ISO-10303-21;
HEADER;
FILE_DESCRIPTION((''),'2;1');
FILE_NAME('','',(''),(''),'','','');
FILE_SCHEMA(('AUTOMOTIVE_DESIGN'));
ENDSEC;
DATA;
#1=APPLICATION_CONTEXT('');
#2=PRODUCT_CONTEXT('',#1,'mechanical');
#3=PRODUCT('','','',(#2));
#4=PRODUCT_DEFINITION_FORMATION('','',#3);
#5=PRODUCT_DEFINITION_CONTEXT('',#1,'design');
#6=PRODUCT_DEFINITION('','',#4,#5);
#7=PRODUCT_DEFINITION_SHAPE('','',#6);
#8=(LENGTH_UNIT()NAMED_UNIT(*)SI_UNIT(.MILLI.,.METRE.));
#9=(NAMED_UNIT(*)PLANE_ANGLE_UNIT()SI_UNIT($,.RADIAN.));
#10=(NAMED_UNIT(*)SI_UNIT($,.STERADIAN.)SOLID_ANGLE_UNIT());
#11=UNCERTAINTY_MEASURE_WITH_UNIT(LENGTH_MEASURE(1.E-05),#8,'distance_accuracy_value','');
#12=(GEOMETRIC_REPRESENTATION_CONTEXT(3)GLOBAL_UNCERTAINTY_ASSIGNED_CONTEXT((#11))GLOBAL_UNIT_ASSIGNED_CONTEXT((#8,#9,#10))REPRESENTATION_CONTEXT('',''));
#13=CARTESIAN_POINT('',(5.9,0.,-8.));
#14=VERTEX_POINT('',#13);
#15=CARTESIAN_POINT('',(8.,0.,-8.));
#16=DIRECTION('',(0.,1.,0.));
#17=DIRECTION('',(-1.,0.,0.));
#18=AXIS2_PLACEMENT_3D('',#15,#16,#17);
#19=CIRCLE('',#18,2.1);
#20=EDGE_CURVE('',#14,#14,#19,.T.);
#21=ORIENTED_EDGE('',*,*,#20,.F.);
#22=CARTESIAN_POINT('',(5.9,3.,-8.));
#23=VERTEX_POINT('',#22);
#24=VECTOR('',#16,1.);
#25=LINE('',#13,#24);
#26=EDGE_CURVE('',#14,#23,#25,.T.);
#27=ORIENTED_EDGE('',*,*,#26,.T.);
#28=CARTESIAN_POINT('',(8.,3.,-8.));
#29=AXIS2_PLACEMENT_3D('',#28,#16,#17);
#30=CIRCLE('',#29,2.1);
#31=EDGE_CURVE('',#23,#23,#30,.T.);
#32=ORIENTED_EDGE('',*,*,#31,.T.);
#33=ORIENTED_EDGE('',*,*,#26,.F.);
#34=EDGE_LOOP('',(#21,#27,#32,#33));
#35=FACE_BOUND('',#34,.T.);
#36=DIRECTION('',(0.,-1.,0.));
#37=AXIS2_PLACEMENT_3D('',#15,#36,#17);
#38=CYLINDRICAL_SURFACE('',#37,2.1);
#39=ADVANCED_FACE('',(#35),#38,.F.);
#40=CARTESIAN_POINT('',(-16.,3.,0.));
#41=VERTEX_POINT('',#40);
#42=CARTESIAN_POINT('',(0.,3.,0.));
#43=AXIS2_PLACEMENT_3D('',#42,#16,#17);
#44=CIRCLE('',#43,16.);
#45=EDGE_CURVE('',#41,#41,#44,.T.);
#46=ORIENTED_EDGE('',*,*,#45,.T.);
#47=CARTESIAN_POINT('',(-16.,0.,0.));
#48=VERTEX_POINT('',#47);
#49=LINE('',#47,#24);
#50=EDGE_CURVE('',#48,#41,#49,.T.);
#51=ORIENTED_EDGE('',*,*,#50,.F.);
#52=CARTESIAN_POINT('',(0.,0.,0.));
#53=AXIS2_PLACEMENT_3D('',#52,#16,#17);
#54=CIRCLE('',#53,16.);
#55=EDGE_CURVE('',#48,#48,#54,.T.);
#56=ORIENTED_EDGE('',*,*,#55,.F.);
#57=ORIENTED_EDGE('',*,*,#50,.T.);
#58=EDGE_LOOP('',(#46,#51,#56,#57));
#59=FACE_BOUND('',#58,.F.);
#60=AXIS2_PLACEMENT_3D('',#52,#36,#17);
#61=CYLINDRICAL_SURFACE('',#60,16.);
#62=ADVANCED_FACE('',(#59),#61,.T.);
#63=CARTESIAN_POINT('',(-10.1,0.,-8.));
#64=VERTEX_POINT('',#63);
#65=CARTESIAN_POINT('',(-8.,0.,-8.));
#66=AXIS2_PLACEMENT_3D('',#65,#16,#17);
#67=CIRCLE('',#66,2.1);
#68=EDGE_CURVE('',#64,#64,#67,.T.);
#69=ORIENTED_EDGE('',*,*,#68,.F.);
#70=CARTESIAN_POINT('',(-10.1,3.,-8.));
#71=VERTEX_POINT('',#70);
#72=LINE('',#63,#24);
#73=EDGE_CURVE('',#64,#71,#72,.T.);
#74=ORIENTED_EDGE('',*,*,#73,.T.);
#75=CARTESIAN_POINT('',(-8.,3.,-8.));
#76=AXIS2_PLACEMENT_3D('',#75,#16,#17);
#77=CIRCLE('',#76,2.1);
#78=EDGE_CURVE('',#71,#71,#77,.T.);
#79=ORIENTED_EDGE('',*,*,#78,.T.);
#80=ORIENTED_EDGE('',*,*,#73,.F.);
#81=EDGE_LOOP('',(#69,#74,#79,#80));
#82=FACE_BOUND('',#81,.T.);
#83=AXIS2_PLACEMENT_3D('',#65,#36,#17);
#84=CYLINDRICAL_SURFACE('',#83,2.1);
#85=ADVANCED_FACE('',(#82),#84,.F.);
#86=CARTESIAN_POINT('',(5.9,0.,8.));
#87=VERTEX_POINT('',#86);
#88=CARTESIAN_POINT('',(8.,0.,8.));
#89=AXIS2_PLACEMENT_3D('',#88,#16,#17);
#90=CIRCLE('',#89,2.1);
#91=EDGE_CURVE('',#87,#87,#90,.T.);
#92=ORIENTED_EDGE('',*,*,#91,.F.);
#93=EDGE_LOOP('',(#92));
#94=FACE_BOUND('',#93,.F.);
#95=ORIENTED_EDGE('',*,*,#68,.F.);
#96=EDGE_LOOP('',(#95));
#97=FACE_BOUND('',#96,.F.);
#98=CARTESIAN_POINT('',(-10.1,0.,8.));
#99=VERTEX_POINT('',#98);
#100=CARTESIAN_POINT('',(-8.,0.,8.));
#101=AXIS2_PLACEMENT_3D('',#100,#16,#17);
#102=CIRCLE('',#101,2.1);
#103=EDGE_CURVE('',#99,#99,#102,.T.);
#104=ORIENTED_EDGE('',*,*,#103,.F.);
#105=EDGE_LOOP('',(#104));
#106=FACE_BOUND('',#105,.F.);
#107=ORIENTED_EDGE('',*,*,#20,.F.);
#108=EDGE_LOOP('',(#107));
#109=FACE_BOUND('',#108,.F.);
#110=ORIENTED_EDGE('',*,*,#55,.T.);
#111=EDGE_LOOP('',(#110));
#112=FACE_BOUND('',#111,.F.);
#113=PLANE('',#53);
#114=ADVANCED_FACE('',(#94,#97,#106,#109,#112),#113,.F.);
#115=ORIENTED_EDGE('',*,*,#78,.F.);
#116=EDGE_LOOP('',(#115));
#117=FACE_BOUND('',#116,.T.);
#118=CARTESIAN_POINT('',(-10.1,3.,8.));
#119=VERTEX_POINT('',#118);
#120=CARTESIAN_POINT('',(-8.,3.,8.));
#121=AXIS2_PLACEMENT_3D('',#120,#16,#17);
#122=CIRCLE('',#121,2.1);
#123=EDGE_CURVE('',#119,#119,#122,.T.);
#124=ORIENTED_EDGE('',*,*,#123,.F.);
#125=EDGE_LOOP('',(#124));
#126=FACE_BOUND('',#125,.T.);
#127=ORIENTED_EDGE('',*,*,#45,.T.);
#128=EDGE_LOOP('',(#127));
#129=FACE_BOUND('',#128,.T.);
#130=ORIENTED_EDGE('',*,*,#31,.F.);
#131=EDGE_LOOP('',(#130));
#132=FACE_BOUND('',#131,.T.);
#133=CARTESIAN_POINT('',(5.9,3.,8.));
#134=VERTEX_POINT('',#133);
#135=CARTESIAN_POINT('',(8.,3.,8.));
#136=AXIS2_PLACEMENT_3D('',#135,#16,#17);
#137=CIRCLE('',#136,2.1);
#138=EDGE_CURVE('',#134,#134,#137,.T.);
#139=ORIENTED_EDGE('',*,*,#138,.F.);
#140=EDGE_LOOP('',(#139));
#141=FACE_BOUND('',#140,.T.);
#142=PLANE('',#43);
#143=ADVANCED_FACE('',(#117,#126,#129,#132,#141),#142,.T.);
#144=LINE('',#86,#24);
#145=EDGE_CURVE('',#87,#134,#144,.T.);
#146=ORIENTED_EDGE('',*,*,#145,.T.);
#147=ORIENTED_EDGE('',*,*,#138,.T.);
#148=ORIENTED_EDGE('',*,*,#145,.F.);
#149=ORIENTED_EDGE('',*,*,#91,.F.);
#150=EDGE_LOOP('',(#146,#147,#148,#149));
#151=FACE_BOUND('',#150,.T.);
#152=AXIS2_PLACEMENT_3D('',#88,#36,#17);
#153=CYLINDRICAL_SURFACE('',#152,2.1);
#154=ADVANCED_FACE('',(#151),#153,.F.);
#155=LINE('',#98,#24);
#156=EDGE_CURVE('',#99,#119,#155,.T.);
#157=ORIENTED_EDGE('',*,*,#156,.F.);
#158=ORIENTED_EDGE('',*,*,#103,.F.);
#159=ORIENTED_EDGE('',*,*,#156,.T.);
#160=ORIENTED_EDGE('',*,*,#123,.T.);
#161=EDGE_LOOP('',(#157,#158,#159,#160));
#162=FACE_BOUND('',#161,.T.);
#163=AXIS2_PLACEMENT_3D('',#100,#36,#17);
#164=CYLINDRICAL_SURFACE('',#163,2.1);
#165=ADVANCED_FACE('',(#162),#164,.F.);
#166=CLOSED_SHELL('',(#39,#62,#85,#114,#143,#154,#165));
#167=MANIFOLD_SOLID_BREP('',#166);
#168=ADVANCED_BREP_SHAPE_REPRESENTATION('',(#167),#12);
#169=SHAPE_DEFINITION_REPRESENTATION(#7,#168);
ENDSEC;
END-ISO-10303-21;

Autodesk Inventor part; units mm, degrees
ref_plane "YZ Plane" through (0, 0, 0) normal (1, 0, 0) x (0, 1, 0)
ref_plane "XZ Plane" through (0, 0, 0) normal (0, 1, 0) x (-1, 0, 0)
ref_plane "XY Plane" through (0, 0, 0) normal (0, 0, 1) x (1, 0, 0)
sketch "Sketch1" plane through (0, 0, 0) normal (0, 1, 0) x (-1, 0, 0)
  circle A0 centre (0, 0) radius 16
  circle A1 centre (8, -8) radius 2.1
  circle A2 centre (8, 8) radius 2.1
  circle A3 centre (-8, 8) radius 2.1
  circle A4 centre (-8, -8) radius 2.1
  dimension "d0" = 32
  dimension "d1" = 4.2
  dimension "d2" = 8
  dimension "d3" = 8
  dimension "d6" = 360
extrude "Extrusion1" add sketch "Sketch1" along normal blind 3
properties part number "WristSpaacer"
